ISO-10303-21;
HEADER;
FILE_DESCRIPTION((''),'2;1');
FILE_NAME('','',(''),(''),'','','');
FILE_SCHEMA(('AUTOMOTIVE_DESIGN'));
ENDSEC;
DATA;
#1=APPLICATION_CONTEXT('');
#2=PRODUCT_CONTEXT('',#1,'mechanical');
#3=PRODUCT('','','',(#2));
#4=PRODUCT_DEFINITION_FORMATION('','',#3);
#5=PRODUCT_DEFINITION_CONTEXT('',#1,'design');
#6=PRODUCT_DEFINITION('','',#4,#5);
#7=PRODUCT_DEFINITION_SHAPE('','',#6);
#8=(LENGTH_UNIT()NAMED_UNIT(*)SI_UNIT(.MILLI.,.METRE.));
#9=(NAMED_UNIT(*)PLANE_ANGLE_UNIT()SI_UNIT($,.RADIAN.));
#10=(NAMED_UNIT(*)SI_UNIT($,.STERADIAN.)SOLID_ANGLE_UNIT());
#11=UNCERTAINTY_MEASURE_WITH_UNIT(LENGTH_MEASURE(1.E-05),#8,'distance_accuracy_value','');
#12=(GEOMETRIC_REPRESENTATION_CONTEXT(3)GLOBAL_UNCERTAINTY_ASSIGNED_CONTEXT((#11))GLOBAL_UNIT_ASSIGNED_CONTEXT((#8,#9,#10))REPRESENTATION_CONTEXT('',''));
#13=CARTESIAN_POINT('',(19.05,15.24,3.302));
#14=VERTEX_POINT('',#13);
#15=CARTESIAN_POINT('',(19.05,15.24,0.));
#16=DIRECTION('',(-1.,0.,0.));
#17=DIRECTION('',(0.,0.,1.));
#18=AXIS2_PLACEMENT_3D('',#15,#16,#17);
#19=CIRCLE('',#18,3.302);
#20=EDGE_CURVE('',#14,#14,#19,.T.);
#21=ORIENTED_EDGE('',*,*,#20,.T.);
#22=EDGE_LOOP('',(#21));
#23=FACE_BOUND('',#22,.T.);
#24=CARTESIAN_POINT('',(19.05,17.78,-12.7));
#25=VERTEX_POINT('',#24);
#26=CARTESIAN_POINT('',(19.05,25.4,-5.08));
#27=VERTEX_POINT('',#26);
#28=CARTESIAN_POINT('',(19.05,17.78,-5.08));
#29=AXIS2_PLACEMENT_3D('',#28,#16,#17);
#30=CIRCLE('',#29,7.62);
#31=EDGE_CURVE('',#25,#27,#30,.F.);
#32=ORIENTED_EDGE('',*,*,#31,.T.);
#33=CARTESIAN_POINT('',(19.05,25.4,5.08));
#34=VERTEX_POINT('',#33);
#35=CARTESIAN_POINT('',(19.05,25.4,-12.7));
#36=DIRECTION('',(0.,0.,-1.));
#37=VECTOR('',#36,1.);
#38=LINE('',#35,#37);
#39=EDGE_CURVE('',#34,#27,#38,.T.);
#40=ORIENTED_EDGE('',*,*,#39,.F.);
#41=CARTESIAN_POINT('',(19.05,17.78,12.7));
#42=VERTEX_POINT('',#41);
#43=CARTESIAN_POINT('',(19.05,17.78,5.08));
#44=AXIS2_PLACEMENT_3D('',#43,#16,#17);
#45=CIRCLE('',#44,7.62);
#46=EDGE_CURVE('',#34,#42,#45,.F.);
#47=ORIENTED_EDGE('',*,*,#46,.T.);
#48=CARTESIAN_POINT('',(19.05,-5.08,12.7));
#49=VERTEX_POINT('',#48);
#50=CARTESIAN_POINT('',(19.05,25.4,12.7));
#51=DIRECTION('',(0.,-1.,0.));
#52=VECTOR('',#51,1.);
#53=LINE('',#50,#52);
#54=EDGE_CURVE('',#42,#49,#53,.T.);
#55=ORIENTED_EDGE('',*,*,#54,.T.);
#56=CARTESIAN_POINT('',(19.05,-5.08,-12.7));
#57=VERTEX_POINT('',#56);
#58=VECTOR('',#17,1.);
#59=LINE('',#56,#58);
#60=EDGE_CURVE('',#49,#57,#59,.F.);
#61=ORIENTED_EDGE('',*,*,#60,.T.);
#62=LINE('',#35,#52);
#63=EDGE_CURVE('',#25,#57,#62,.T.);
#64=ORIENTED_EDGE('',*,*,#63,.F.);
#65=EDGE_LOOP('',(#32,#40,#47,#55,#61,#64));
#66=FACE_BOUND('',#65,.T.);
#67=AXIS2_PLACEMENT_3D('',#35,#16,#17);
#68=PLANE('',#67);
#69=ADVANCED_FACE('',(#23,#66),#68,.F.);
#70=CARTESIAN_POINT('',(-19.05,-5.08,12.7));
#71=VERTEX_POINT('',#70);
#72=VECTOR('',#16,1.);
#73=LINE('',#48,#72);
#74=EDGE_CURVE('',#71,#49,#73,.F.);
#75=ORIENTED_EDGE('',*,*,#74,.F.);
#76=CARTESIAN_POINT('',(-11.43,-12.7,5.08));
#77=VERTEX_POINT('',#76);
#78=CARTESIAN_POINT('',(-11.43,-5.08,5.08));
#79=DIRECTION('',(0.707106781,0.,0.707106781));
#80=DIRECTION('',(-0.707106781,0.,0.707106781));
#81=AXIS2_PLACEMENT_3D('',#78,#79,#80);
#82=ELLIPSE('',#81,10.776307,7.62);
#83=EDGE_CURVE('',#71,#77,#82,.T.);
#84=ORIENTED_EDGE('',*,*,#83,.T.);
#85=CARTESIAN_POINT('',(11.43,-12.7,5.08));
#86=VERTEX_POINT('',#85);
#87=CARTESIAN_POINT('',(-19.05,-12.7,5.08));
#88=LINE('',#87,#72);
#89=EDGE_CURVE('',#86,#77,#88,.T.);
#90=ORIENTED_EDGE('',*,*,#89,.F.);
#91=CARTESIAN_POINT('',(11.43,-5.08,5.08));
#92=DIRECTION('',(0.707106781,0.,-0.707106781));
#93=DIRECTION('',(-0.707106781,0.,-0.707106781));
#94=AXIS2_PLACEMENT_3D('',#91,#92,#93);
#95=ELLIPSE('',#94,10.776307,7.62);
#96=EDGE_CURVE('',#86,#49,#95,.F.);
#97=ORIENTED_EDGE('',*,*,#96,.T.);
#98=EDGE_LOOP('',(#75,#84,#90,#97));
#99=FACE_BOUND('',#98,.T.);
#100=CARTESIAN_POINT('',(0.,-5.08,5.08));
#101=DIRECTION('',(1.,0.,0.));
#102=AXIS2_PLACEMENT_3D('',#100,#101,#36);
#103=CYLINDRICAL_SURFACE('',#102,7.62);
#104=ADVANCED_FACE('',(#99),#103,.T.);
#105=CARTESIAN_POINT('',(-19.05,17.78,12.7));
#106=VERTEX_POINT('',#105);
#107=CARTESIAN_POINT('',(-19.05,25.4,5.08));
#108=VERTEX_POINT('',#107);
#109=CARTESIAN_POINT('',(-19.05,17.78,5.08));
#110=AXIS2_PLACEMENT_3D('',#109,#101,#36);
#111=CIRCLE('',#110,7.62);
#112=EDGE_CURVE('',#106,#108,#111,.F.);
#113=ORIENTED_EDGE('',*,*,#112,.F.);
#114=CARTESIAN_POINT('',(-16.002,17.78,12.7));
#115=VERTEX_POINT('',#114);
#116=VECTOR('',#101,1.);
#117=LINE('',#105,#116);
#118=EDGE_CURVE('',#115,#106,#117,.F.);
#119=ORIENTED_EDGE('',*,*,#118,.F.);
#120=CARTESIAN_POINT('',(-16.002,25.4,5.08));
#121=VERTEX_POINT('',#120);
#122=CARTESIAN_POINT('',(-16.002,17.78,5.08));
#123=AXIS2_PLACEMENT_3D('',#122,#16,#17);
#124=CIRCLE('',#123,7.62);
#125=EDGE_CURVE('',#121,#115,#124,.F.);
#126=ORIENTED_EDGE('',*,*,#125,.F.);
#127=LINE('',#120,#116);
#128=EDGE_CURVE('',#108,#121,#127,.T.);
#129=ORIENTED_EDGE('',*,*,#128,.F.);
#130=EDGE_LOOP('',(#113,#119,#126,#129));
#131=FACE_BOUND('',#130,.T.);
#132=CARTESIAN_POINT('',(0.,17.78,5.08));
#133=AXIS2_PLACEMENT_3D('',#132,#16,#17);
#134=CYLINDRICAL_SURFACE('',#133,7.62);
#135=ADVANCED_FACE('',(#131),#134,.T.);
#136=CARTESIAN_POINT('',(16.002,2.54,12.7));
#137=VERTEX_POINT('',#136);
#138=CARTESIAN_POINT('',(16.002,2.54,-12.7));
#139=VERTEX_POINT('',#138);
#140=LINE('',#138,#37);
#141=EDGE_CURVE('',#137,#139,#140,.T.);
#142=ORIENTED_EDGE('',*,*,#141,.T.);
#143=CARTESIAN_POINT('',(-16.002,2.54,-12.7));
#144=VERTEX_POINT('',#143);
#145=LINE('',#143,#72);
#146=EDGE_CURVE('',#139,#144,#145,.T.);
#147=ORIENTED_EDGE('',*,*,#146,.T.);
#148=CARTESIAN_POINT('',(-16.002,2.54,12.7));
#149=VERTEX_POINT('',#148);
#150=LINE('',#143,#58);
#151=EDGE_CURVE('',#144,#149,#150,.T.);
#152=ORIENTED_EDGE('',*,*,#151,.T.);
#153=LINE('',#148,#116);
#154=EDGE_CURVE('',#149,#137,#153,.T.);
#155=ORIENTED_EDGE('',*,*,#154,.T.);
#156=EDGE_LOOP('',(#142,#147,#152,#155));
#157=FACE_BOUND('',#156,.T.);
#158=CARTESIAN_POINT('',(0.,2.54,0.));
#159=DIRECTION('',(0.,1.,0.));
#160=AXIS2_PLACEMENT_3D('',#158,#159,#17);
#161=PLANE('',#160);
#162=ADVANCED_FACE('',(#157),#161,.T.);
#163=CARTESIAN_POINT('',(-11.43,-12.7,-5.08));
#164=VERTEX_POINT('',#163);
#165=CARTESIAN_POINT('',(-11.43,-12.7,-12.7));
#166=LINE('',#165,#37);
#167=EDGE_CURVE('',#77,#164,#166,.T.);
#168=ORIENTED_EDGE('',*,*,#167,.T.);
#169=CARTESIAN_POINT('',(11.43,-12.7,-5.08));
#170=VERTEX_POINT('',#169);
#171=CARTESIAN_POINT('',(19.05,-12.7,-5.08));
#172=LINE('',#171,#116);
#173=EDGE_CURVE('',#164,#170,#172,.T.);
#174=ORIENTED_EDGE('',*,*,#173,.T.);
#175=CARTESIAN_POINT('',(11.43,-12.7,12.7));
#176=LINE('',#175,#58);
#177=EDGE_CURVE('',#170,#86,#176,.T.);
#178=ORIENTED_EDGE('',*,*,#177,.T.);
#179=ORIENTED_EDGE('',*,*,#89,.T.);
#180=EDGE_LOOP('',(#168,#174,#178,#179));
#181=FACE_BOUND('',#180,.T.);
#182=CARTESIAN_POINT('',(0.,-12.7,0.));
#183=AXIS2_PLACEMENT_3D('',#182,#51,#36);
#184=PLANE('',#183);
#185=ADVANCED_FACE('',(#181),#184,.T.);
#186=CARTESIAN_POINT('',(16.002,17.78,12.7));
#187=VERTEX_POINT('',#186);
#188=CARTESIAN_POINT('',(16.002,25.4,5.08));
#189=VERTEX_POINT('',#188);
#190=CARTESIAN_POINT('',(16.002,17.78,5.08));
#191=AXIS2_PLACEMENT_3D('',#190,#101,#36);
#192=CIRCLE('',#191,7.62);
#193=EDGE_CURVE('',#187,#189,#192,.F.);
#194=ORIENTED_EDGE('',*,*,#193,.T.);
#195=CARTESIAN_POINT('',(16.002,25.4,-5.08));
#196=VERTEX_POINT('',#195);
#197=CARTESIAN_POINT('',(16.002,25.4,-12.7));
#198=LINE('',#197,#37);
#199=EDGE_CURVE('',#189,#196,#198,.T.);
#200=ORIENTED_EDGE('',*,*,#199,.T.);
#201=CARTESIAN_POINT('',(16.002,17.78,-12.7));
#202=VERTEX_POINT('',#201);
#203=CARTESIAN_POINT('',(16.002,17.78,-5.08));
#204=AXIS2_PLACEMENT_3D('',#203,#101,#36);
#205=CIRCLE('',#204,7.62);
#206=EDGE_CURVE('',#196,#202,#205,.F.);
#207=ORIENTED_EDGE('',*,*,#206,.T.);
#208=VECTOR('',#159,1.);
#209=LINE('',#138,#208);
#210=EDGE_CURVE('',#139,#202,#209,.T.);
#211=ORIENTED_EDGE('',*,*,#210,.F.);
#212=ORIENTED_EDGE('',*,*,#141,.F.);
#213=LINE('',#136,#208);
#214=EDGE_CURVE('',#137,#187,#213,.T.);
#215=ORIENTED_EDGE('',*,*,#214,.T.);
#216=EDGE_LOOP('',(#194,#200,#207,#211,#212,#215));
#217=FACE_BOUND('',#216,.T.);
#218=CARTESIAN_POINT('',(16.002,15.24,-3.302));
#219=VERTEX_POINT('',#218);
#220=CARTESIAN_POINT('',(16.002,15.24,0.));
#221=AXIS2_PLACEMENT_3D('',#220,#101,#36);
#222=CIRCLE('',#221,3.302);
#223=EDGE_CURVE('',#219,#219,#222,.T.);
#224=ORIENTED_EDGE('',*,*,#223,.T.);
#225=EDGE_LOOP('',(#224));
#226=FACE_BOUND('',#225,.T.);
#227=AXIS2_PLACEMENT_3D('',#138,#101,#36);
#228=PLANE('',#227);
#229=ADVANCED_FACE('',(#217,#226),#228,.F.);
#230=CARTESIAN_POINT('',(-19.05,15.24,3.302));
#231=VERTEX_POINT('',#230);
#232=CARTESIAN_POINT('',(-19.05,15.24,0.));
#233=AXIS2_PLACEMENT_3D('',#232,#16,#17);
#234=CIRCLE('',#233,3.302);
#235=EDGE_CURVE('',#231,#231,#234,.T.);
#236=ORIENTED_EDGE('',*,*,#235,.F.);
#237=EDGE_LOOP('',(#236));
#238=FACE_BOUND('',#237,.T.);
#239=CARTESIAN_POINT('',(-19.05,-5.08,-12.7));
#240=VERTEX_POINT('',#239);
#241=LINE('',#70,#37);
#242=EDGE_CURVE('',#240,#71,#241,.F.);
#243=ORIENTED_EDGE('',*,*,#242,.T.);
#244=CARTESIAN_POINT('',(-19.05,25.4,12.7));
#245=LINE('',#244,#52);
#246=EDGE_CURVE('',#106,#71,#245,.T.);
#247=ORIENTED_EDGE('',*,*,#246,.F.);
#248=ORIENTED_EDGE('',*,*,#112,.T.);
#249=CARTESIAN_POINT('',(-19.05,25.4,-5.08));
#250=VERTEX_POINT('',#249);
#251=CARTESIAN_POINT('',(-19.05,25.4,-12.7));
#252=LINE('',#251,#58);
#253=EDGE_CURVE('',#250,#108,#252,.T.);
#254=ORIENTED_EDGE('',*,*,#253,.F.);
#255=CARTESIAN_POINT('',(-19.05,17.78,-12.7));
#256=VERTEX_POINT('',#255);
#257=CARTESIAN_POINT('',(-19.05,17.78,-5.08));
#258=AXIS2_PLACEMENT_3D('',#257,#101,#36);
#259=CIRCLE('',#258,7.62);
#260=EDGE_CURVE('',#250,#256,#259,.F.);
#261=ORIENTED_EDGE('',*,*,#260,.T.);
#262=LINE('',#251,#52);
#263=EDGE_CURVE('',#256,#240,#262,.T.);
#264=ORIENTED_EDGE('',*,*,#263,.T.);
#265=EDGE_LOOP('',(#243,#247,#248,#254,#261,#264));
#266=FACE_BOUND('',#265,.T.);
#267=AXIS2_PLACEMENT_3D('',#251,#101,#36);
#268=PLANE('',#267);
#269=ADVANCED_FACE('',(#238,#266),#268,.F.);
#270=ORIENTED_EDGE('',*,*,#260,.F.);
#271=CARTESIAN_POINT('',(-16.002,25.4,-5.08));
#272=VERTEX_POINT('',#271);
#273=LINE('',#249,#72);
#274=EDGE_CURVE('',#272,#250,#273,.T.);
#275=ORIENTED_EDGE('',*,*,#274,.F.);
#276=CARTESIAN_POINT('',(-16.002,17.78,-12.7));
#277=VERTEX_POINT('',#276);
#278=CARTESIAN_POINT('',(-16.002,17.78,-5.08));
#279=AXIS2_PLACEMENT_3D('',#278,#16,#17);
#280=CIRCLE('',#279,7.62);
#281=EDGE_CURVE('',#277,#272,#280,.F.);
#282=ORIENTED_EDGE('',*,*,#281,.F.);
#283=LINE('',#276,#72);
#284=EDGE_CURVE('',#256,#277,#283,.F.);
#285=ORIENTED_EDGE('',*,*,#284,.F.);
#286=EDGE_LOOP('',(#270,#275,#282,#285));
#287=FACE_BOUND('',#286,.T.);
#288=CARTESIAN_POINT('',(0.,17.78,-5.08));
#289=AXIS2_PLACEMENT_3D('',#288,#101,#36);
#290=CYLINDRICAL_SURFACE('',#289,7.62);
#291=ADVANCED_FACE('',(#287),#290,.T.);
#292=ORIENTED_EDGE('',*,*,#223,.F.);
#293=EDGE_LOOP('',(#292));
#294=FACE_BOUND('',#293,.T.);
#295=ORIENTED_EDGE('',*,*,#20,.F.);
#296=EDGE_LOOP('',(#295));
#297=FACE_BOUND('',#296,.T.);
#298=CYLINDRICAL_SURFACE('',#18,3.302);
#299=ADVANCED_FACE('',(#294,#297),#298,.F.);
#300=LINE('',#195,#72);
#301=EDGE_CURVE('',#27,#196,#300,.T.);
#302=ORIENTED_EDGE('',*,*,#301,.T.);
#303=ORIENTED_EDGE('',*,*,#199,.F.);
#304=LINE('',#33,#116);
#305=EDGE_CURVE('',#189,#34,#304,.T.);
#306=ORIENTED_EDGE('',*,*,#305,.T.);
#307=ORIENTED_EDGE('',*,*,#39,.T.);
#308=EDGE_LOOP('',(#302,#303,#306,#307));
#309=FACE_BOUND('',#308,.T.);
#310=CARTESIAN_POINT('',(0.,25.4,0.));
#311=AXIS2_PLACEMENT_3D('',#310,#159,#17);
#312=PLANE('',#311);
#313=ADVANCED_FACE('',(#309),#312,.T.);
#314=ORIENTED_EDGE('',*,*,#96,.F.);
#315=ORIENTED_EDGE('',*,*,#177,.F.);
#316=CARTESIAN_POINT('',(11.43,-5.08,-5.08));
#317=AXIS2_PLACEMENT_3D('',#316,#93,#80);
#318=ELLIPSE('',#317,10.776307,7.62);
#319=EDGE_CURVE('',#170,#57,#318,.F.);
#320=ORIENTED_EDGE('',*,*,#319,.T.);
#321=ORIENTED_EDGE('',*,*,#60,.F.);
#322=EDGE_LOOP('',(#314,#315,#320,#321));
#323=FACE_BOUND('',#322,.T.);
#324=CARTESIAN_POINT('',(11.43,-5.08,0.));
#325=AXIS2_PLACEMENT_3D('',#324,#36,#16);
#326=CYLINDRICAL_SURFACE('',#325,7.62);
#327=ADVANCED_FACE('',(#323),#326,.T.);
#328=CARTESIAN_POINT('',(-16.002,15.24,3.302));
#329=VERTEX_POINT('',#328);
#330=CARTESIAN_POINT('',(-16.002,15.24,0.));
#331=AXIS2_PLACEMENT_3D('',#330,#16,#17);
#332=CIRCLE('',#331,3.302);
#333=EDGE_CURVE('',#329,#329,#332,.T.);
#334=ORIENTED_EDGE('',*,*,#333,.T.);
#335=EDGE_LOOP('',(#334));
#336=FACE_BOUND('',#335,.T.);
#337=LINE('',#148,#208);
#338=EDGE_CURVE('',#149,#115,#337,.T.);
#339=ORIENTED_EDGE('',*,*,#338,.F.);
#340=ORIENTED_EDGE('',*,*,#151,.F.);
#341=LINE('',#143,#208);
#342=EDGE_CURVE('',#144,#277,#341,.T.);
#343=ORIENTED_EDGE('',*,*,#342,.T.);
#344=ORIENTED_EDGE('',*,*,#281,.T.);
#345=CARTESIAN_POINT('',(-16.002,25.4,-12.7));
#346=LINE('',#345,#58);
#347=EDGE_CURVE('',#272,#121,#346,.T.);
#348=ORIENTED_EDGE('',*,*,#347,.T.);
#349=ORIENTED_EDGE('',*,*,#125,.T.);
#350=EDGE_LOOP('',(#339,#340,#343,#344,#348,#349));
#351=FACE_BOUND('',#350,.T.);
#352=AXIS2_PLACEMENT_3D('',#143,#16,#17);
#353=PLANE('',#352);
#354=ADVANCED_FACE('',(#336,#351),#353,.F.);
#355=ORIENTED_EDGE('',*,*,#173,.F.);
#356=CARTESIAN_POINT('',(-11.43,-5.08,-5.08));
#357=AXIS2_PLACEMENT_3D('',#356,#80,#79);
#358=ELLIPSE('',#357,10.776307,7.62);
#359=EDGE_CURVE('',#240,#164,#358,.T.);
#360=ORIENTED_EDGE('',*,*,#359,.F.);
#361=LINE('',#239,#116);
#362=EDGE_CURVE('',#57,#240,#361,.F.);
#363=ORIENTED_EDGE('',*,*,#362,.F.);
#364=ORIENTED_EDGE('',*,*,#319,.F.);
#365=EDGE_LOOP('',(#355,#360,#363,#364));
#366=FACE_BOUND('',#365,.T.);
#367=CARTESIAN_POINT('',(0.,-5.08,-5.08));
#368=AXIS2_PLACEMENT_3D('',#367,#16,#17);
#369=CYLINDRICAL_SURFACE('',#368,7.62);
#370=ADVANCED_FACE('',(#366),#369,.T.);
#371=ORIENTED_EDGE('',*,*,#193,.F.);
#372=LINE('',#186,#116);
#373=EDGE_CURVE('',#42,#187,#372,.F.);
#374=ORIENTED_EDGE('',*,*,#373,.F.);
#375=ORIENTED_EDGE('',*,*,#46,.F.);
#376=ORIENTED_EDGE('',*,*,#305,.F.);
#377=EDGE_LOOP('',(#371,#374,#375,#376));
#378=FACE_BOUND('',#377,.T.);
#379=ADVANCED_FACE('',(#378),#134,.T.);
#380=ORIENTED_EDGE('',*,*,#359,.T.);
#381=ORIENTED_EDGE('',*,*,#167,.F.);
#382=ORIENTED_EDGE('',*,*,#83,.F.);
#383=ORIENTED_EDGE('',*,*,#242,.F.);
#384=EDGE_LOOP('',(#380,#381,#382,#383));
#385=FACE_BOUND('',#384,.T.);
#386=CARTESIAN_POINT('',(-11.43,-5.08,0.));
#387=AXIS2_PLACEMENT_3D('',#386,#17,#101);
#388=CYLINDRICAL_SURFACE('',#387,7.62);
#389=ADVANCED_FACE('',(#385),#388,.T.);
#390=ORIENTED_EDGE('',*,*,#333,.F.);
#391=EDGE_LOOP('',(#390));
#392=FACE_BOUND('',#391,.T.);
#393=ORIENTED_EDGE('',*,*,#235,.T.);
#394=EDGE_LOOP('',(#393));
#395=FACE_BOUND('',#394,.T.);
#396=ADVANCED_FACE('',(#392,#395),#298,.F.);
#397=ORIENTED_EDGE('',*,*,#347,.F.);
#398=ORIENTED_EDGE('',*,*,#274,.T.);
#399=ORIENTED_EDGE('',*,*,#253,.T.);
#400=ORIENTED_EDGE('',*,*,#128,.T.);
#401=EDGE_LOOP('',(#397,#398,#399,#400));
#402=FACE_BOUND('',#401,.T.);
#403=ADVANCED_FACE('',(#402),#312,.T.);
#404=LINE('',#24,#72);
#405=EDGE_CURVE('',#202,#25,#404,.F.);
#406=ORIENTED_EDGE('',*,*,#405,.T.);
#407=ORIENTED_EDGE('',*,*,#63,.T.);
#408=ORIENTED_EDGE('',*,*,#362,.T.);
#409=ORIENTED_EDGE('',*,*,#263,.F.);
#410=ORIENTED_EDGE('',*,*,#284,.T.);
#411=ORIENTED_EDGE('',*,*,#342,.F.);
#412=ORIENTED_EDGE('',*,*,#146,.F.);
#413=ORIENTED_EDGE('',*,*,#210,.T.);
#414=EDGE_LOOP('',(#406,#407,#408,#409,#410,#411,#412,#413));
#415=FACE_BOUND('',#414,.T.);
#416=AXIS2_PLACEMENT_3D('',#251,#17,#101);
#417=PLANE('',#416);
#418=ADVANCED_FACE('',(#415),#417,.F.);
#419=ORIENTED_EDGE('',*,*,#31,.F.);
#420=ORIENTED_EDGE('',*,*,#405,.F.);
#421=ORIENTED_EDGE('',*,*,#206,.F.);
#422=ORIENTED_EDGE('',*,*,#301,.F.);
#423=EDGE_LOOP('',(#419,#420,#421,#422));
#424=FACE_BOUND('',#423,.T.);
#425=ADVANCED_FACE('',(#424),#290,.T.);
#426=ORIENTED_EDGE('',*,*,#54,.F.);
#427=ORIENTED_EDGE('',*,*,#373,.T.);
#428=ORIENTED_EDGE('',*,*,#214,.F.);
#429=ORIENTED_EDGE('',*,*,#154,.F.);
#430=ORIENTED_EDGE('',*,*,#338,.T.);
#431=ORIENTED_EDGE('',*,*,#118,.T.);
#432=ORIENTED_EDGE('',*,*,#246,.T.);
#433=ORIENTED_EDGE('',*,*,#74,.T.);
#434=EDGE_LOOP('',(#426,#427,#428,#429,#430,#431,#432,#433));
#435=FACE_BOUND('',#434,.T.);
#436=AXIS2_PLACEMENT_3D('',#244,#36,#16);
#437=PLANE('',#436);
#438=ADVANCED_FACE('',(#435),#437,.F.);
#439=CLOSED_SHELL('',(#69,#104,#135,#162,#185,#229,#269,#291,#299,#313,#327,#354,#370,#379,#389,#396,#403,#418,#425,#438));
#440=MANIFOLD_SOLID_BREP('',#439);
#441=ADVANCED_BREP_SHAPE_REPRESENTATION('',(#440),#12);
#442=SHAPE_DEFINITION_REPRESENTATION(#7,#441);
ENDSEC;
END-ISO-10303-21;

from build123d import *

# Parameters (mm, degrees)
SKETCH1_W           = 38.1
SKETCH1_H           = 25.4
BOSS_EXTRUDE1_DEPTH = 25.4
SKETCH2_W           = 32.004
SKETCH2_H           = 25.4
CUT_EXTRUDE1_DEPTH  = 22.86
SKETCH3_R           = 3.302
CUT_EXTRUDE2_DEPTH  = 48.519048812
FILLET1_R           = 7.62
SKETCH4_W           = 38.1
SKETCH4_H           = 25.4
BOSS_EXTRUDE2_DEPTH = 12.7
FILLET2_R           = 7.62


with BuildPart() as part:
    # Sketch1 → Boss-Extrude1 (new body)
    with BuildSketch(Plane(origin=(0, 0, 0), x_dir=(1, 0, 0), z_dir=(0, 1, 0))):
        Rectangle(SKETCH1_W, SKETCH1_H)
    extrude(amount=BOSS_EXTRUDE1_DEPTH)

    # Sketch2 → Cut-Extrude1 (cut)
    with BuildSketch(Plane(origin=(0, 25.4, 0), x_dir=(1, 0, 0), z_dir=(0, 1, 0))):
        Rectangle(SKETCH2_W, SKETCH2_H)
    extrude(amount=-CUT_EXTRUDE1_DEPTH, mode=Mode.SUBTRACT)

    # Sketch3 → Cut-Extrude2 (cut, through all)
    with BuildSketch(Plane.ZY.offset(19.05)):
        with Locations((0, 15.24)):
            Circle(SKETCH3_R)
    extrude(amount=-CUT_EXTRUDE2_DEPTH, mode=Mode.SUBTRACT)

    # Fillet1
    fillet1_edges = [part.edges().sort_by_distance(p)[0] for p in [
        (-17.526, 25.4, -12.7),
        (17.526, 25.4, 12.7),
        (-17.526, 25.4, 12.7),
        (17.526, 25.4, -12.7),
    ]]
    fillet(fillet1_edges, radius=FILLET1_R)

    # Sketch4 → Boss-Extrude2 (add)
    with BuildSketch(Plane.XZ):
        Rectangle(SKETCH4_W, SKETCH4_H)
    extrude(amount=BOSS_EXTRUDE2_DEPTH)

    # Fillet2
    fillet2_edges = [part.edges().sort_by_distance(p)[0] for p in [
        (-19.05, -12.7, 0),
        (0, -12.7, -12.7),
        (19.05, -12.7, 0),
        (0, -12.7, 12.7),
    ]]
    fillet(fillet2_edges, radius=FILLET2_R)


solid = part.part
